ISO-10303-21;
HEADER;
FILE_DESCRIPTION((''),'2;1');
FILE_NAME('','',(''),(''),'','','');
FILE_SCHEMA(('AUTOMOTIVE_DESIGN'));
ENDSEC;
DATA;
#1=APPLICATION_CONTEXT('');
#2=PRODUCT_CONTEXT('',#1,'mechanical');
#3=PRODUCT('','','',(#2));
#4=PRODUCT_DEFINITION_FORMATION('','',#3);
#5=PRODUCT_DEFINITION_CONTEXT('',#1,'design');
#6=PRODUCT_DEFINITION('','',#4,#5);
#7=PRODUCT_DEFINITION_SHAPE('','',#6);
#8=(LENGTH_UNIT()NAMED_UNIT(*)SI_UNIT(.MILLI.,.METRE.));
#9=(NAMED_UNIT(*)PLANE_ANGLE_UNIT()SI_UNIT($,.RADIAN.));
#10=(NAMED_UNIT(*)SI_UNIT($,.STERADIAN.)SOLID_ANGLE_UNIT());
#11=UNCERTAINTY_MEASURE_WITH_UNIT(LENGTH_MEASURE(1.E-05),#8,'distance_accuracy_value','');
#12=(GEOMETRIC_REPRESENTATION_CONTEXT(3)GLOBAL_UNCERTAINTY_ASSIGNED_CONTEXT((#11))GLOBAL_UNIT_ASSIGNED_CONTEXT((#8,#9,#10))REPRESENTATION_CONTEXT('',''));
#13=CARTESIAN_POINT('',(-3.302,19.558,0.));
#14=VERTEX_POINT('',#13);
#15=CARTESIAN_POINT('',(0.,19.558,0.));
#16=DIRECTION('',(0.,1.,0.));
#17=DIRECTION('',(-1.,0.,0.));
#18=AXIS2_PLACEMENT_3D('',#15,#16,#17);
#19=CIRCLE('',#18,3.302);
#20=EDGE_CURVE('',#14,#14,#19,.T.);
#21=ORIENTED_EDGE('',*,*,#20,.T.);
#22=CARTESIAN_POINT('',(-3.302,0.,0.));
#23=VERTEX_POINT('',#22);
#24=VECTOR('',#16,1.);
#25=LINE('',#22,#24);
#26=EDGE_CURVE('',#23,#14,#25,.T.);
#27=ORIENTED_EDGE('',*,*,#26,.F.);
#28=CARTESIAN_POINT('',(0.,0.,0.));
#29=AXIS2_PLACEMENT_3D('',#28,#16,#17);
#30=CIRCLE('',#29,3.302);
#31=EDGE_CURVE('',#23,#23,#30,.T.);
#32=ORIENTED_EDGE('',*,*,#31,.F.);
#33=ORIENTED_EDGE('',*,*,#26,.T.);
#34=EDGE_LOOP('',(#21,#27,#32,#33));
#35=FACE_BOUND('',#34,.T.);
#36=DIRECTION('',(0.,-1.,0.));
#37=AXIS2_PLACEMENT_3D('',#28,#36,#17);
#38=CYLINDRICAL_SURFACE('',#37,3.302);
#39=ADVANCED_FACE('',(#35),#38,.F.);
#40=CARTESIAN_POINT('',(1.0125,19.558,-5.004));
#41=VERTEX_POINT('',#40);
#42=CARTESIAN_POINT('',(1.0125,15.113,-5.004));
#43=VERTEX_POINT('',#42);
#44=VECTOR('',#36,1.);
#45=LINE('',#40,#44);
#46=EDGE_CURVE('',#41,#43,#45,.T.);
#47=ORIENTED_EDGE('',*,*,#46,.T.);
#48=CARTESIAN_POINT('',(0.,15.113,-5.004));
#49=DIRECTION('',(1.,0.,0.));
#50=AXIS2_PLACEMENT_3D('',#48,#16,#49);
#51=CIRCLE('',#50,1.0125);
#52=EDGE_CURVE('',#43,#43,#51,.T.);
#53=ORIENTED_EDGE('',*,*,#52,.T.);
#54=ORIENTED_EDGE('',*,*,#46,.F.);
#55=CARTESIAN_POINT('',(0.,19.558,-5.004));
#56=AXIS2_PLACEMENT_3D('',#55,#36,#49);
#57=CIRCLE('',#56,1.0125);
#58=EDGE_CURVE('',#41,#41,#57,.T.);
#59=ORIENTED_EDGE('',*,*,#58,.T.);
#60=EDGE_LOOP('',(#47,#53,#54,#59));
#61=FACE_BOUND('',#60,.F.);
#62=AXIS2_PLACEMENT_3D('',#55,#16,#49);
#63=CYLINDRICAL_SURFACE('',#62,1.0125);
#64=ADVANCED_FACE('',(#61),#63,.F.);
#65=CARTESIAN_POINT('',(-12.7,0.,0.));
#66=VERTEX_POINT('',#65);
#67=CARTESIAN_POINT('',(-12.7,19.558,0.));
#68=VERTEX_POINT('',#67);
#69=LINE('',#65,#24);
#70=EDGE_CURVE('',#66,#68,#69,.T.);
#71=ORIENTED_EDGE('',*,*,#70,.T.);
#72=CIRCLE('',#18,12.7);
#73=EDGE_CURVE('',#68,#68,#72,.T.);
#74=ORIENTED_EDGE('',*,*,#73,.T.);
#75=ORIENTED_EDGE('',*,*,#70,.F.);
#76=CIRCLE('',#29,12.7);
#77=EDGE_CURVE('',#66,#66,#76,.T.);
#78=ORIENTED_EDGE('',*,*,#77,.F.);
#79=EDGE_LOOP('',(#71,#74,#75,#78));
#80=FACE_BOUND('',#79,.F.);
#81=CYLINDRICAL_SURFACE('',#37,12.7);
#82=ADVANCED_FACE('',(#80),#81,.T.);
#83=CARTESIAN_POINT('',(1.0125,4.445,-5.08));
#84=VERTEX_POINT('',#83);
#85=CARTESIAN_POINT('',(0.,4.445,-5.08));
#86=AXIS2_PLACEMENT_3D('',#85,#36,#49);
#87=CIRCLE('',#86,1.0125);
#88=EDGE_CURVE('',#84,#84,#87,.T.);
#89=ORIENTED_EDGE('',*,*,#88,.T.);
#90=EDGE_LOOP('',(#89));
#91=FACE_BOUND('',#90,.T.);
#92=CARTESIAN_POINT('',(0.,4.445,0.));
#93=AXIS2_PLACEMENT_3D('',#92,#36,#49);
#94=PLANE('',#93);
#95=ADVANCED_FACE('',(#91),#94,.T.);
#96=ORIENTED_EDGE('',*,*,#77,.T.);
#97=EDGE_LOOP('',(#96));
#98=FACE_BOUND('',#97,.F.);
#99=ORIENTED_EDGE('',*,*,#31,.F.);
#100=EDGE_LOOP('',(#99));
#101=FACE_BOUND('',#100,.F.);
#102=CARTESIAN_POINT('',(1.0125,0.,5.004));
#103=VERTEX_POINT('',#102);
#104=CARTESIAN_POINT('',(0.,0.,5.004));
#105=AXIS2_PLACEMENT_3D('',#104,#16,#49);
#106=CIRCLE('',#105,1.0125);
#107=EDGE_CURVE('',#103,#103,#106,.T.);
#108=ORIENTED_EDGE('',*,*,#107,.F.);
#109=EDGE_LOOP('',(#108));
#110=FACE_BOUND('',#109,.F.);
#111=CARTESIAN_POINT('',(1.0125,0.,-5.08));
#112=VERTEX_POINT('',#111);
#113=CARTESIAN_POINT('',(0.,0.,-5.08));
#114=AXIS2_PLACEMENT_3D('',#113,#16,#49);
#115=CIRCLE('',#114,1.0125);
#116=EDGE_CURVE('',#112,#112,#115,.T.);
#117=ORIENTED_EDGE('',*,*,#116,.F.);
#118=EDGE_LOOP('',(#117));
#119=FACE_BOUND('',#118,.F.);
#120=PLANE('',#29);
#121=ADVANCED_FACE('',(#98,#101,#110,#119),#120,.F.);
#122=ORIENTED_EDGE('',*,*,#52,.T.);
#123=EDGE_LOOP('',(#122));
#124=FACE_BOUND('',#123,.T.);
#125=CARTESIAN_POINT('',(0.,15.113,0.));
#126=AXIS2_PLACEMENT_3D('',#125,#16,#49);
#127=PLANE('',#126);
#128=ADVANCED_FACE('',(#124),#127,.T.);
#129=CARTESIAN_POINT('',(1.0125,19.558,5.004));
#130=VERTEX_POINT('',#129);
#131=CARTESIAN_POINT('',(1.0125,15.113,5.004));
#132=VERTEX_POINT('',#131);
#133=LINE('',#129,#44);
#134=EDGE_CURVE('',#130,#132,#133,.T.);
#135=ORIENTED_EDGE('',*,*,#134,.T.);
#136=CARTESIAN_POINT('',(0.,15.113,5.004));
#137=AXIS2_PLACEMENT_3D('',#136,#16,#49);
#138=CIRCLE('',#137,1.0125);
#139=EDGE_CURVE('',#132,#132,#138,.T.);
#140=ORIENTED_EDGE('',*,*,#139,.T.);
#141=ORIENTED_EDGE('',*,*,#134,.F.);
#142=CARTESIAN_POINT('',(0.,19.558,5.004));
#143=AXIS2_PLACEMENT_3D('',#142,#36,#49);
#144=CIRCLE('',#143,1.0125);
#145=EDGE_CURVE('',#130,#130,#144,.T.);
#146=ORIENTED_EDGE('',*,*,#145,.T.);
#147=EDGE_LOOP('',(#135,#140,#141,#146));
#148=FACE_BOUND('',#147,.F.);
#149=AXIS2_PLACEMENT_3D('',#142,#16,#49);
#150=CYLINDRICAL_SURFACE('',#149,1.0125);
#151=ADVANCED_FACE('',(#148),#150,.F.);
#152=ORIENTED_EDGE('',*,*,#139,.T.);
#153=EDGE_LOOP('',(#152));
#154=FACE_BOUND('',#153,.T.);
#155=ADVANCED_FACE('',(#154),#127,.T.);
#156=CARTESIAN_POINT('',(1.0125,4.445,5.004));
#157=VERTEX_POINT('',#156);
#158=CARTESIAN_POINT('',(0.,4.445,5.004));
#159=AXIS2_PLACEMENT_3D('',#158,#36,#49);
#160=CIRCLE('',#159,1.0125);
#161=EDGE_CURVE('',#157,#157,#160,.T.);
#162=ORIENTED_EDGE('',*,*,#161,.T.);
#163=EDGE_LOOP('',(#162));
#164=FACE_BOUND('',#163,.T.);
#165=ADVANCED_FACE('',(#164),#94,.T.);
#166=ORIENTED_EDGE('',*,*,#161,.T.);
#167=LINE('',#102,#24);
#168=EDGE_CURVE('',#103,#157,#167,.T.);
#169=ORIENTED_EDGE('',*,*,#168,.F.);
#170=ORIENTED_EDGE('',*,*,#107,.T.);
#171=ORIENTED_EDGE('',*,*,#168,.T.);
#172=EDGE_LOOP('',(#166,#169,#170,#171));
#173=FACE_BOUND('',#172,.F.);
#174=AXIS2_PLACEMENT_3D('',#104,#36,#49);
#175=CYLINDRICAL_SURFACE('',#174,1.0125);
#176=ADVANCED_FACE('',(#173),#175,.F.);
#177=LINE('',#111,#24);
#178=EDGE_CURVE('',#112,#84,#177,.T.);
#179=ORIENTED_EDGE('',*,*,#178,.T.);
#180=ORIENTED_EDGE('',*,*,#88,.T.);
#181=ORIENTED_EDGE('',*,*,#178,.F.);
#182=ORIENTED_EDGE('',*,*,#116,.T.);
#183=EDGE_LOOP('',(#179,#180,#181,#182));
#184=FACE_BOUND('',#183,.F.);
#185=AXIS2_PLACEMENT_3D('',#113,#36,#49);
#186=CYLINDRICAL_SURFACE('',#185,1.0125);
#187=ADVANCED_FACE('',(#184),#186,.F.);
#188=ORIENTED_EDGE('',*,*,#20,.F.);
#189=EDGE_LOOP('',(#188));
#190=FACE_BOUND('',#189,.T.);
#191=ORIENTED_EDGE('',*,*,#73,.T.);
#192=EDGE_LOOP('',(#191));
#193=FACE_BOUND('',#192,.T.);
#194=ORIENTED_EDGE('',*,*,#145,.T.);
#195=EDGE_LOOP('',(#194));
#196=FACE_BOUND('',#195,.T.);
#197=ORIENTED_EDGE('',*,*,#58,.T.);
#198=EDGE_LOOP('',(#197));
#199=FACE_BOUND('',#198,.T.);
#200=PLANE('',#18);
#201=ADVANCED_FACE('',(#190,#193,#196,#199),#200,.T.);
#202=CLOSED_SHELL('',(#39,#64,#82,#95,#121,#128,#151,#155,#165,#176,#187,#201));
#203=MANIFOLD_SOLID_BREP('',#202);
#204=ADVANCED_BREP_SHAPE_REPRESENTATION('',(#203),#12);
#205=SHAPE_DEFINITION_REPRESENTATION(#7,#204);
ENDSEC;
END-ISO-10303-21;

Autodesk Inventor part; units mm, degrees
ref_plane "YZ Plane" through (0, 0, 0) normal (1, 0, 0) x (0, 1, 0)
ref_plane "XZ Plane" through (0, 0, 0) normal (0, 1, 0) x (-1, 0, 0)
ref_plane "XY Plane" through (0, 0, 0) normal (0, 0, 1) x (1, 0, 0)
sketch "Sketch1" plane through (0, 0, 0) normal (0, 1, 0) x (-1, 0, 0)
  circle A0 centre (0, 0) radius 12.7
  circle A1 centre (0, 0) radius 3.302
  dimension "d0" = 25.4
  dimension "d1" = 6.604
extrude "Extrusion1" add sketch "Sketch1" along normal blind 19.558
sketch "Sketch2" plane through (0, 19.558, 0) normal (0, 1, 0) x (1, 0, 0)
  line L0 (0, 0) -> (0, -5.004)
  line L1 (0, -5.004) -> (0, 0)
  line L2 (0, 0) -> (0, 5.004)
  circle A0 centre (0, -5.004) radius 1.0125
  circle A1 centre (0, 5.004) radius 1.0125
  dimension "d4" = 5.004
  dimension "d5" = 5.004
  dimension "d6" = 2.025
  dimension "d7" = 2.025
extrude "Extrusion2" cut sketch "Sketch2" against normal blind 4.445
sketch "Sketch3" plane through (0, 0, 0) normal (0, -1, 0) x (1, 0, 0)
  line L0 (0, 0) -> (0, 5.004)
  line L1 (0, 5.004) -> (0, -5.08)
  circle A0 centre (0, 5.004) radius 1.0125
  line L2 (0, 0) -> (0, -5.004)
  circle A1 centre (0, -5.08) radius 1.0125
  dimension "d10" = 5.004
  dimension "d15" = 2.025
  dimension "d16" = 5.004
  dimension "d17" = 2.025
extrude "Extrusion3" cut sketch "Sketch3" against normal blind 4.445
properties part number "PolarisPost_HeightAdjustment_0p5in_Machined"
